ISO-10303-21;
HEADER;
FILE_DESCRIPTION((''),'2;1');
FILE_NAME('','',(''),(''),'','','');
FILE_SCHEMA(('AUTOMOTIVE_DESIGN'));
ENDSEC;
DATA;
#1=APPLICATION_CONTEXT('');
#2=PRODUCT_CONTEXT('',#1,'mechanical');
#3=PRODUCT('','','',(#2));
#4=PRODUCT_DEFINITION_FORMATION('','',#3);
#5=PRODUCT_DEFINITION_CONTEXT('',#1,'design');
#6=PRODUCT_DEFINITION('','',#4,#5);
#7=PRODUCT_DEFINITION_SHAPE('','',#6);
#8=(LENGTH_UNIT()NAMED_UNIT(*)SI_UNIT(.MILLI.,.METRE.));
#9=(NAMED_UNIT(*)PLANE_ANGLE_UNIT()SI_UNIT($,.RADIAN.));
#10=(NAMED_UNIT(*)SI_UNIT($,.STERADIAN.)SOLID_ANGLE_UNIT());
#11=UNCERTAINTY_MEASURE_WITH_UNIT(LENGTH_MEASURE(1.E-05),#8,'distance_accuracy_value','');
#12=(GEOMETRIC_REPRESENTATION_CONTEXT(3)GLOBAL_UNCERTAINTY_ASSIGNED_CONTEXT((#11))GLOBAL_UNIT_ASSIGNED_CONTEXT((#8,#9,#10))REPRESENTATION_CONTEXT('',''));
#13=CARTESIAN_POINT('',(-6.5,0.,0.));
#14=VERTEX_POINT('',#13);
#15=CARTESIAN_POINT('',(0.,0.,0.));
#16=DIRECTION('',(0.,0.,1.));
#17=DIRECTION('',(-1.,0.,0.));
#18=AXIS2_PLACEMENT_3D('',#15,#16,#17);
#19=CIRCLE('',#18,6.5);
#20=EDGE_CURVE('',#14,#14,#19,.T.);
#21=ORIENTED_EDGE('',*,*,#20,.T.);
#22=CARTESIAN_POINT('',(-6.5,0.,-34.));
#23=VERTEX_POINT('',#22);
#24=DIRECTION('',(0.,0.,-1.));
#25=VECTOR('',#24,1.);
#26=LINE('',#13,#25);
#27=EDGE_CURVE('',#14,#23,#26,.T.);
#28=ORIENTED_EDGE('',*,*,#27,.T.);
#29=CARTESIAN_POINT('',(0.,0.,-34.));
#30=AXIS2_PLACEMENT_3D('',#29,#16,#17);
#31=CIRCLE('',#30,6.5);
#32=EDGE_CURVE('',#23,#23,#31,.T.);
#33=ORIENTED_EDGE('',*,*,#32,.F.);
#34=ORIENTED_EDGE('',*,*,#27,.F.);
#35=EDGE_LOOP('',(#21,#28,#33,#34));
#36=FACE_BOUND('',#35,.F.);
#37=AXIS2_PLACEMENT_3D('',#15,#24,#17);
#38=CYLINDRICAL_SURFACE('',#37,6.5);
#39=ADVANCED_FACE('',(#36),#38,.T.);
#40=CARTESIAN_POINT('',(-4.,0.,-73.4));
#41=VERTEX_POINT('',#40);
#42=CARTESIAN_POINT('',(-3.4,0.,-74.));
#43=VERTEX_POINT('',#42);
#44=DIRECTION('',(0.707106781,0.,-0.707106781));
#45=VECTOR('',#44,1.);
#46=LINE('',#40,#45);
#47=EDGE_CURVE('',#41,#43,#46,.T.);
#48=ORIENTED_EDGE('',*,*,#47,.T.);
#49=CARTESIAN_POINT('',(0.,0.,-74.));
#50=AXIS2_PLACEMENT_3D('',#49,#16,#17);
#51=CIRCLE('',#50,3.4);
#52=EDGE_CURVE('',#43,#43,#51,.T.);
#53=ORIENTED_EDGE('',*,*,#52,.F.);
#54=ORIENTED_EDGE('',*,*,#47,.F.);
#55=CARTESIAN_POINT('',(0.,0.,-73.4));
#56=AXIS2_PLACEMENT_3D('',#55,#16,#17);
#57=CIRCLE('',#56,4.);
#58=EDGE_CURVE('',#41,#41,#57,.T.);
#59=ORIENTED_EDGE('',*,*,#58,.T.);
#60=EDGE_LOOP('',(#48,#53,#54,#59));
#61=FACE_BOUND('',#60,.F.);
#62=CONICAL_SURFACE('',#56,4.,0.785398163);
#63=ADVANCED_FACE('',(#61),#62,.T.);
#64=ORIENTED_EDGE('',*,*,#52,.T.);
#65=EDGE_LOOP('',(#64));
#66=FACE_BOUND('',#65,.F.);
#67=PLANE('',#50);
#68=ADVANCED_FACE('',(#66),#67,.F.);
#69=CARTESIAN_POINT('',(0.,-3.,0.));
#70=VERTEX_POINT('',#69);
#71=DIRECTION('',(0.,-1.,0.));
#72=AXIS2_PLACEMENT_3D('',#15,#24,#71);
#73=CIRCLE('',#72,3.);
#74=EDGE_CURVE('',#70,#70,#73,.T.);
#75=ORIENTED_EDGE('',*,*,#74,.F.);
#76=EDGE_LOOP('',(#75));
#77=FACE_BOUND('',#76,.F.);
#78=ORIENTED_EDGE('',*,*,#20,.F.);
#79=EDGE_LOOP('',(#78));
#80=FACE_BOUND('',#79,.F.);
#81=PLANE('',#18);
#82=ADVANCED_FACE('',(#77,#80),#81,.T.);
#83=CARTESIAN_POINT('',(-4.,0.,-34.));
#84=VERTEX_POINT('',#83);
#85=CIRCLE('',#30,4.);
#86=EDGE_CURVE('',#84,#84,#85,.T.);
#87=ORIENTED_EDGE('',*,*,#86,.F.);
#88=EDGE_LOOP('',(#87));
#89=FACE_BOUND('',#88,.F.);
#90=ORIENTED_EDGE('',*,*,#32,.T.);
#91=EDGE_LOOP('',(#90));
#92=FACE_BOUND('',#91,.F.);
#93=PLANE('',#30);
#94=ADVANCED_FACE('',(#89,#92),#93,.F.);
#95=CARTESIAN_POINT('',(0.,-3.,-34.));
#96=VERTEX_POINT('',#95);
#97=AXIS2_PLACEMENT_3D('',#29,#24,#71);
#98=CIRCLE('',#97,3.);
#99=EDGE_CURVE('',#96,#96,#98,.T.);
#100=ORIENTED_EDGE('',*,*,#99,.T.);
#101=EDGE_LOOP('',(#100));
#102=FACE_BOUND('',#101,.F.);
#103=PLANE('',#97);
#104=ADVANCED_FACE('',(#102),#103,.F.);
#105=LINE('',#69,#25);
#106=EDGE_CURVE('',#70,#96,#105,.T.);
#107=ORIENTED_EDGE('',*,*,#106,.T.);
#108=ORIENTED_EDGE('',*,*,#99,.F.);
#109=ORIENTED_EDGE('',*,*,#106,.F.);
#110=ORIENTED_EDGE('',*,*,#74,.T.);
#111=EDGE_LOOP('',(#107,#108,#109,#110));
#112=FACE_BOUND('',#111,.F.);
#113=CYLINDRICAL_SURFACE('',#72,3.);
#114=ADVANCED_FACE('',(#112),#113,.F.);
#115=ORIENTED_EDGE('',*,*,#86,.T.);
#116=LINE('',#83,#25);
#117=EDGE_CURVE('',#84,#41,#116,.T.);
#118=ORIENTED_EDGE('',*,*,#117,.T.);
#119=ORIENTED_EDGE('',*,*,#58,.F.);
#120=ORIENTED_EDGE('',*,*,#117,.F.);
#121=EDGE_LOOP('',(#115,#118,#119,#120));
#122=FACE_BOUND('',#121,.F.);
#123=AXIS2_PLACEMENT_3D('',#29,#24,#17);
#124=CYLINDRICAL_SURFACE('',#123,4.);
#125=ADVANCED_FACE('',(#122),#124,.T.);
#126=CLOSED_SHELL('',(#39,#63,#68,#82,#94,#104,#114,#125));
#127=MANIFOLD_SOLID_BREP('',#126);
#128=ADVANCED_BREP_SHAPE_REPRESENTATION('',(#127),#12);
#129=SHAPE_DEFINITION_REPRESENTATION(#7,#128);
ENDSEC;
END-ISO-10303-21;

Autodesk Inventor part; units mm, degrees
ref_plane "YZ Plane" through (0, 0, 0) normal (1, 0, 0) x (0, 1, 0)
ref_plane "XZ Plane" through (0, 0, 0) normal (0, 1, 0) x (-1, 0, 0)
ref_plane "XY Plane" through (0, 0, 0) normal (0, 0, 1) x (1, 0, 0)
sketch "Skizze2" plane through (0, 0, 0) normal (0, 1, 0) x (-1, 0, 0)
  line L0 (0, 0) -> (6.5, 0)
  line L1 (6.5, 0) -> (6.5, -34)
  line L2 (6.5, -34) -> (4, -34)
  line L3 (4, -34) -> (4, -74)
  line L4 (4, -74) -> (0, -74)
  line L5 (0, -74) -> (0, 0)
  dimension "d3" = 13
  dimension "d4" = 8
  dimension "d5" = 34
  dimension "d6" = 40
revolve "Umdrehung1" add sketch "Skizze2" angle 360 about axis through (0, 0, -74) along (0, 0, 1)
chamfer "Fasen1" distance 0.6 angle 45 1 edges at (4, 0, -74)
sketch "Skizze3" plane through (0, 0, 0) normal (0, 0, 1) x (1, 0, 0)
  circle A0 centre (0, 0) radius 6.5 projected
  point P0 (0, 0)
hole "Bohrung1" at (0, 0, 0) direction (0, 0, -1) diameter 6 depth 34
properties part number "202 Welle" material "Aluminium 6061"
